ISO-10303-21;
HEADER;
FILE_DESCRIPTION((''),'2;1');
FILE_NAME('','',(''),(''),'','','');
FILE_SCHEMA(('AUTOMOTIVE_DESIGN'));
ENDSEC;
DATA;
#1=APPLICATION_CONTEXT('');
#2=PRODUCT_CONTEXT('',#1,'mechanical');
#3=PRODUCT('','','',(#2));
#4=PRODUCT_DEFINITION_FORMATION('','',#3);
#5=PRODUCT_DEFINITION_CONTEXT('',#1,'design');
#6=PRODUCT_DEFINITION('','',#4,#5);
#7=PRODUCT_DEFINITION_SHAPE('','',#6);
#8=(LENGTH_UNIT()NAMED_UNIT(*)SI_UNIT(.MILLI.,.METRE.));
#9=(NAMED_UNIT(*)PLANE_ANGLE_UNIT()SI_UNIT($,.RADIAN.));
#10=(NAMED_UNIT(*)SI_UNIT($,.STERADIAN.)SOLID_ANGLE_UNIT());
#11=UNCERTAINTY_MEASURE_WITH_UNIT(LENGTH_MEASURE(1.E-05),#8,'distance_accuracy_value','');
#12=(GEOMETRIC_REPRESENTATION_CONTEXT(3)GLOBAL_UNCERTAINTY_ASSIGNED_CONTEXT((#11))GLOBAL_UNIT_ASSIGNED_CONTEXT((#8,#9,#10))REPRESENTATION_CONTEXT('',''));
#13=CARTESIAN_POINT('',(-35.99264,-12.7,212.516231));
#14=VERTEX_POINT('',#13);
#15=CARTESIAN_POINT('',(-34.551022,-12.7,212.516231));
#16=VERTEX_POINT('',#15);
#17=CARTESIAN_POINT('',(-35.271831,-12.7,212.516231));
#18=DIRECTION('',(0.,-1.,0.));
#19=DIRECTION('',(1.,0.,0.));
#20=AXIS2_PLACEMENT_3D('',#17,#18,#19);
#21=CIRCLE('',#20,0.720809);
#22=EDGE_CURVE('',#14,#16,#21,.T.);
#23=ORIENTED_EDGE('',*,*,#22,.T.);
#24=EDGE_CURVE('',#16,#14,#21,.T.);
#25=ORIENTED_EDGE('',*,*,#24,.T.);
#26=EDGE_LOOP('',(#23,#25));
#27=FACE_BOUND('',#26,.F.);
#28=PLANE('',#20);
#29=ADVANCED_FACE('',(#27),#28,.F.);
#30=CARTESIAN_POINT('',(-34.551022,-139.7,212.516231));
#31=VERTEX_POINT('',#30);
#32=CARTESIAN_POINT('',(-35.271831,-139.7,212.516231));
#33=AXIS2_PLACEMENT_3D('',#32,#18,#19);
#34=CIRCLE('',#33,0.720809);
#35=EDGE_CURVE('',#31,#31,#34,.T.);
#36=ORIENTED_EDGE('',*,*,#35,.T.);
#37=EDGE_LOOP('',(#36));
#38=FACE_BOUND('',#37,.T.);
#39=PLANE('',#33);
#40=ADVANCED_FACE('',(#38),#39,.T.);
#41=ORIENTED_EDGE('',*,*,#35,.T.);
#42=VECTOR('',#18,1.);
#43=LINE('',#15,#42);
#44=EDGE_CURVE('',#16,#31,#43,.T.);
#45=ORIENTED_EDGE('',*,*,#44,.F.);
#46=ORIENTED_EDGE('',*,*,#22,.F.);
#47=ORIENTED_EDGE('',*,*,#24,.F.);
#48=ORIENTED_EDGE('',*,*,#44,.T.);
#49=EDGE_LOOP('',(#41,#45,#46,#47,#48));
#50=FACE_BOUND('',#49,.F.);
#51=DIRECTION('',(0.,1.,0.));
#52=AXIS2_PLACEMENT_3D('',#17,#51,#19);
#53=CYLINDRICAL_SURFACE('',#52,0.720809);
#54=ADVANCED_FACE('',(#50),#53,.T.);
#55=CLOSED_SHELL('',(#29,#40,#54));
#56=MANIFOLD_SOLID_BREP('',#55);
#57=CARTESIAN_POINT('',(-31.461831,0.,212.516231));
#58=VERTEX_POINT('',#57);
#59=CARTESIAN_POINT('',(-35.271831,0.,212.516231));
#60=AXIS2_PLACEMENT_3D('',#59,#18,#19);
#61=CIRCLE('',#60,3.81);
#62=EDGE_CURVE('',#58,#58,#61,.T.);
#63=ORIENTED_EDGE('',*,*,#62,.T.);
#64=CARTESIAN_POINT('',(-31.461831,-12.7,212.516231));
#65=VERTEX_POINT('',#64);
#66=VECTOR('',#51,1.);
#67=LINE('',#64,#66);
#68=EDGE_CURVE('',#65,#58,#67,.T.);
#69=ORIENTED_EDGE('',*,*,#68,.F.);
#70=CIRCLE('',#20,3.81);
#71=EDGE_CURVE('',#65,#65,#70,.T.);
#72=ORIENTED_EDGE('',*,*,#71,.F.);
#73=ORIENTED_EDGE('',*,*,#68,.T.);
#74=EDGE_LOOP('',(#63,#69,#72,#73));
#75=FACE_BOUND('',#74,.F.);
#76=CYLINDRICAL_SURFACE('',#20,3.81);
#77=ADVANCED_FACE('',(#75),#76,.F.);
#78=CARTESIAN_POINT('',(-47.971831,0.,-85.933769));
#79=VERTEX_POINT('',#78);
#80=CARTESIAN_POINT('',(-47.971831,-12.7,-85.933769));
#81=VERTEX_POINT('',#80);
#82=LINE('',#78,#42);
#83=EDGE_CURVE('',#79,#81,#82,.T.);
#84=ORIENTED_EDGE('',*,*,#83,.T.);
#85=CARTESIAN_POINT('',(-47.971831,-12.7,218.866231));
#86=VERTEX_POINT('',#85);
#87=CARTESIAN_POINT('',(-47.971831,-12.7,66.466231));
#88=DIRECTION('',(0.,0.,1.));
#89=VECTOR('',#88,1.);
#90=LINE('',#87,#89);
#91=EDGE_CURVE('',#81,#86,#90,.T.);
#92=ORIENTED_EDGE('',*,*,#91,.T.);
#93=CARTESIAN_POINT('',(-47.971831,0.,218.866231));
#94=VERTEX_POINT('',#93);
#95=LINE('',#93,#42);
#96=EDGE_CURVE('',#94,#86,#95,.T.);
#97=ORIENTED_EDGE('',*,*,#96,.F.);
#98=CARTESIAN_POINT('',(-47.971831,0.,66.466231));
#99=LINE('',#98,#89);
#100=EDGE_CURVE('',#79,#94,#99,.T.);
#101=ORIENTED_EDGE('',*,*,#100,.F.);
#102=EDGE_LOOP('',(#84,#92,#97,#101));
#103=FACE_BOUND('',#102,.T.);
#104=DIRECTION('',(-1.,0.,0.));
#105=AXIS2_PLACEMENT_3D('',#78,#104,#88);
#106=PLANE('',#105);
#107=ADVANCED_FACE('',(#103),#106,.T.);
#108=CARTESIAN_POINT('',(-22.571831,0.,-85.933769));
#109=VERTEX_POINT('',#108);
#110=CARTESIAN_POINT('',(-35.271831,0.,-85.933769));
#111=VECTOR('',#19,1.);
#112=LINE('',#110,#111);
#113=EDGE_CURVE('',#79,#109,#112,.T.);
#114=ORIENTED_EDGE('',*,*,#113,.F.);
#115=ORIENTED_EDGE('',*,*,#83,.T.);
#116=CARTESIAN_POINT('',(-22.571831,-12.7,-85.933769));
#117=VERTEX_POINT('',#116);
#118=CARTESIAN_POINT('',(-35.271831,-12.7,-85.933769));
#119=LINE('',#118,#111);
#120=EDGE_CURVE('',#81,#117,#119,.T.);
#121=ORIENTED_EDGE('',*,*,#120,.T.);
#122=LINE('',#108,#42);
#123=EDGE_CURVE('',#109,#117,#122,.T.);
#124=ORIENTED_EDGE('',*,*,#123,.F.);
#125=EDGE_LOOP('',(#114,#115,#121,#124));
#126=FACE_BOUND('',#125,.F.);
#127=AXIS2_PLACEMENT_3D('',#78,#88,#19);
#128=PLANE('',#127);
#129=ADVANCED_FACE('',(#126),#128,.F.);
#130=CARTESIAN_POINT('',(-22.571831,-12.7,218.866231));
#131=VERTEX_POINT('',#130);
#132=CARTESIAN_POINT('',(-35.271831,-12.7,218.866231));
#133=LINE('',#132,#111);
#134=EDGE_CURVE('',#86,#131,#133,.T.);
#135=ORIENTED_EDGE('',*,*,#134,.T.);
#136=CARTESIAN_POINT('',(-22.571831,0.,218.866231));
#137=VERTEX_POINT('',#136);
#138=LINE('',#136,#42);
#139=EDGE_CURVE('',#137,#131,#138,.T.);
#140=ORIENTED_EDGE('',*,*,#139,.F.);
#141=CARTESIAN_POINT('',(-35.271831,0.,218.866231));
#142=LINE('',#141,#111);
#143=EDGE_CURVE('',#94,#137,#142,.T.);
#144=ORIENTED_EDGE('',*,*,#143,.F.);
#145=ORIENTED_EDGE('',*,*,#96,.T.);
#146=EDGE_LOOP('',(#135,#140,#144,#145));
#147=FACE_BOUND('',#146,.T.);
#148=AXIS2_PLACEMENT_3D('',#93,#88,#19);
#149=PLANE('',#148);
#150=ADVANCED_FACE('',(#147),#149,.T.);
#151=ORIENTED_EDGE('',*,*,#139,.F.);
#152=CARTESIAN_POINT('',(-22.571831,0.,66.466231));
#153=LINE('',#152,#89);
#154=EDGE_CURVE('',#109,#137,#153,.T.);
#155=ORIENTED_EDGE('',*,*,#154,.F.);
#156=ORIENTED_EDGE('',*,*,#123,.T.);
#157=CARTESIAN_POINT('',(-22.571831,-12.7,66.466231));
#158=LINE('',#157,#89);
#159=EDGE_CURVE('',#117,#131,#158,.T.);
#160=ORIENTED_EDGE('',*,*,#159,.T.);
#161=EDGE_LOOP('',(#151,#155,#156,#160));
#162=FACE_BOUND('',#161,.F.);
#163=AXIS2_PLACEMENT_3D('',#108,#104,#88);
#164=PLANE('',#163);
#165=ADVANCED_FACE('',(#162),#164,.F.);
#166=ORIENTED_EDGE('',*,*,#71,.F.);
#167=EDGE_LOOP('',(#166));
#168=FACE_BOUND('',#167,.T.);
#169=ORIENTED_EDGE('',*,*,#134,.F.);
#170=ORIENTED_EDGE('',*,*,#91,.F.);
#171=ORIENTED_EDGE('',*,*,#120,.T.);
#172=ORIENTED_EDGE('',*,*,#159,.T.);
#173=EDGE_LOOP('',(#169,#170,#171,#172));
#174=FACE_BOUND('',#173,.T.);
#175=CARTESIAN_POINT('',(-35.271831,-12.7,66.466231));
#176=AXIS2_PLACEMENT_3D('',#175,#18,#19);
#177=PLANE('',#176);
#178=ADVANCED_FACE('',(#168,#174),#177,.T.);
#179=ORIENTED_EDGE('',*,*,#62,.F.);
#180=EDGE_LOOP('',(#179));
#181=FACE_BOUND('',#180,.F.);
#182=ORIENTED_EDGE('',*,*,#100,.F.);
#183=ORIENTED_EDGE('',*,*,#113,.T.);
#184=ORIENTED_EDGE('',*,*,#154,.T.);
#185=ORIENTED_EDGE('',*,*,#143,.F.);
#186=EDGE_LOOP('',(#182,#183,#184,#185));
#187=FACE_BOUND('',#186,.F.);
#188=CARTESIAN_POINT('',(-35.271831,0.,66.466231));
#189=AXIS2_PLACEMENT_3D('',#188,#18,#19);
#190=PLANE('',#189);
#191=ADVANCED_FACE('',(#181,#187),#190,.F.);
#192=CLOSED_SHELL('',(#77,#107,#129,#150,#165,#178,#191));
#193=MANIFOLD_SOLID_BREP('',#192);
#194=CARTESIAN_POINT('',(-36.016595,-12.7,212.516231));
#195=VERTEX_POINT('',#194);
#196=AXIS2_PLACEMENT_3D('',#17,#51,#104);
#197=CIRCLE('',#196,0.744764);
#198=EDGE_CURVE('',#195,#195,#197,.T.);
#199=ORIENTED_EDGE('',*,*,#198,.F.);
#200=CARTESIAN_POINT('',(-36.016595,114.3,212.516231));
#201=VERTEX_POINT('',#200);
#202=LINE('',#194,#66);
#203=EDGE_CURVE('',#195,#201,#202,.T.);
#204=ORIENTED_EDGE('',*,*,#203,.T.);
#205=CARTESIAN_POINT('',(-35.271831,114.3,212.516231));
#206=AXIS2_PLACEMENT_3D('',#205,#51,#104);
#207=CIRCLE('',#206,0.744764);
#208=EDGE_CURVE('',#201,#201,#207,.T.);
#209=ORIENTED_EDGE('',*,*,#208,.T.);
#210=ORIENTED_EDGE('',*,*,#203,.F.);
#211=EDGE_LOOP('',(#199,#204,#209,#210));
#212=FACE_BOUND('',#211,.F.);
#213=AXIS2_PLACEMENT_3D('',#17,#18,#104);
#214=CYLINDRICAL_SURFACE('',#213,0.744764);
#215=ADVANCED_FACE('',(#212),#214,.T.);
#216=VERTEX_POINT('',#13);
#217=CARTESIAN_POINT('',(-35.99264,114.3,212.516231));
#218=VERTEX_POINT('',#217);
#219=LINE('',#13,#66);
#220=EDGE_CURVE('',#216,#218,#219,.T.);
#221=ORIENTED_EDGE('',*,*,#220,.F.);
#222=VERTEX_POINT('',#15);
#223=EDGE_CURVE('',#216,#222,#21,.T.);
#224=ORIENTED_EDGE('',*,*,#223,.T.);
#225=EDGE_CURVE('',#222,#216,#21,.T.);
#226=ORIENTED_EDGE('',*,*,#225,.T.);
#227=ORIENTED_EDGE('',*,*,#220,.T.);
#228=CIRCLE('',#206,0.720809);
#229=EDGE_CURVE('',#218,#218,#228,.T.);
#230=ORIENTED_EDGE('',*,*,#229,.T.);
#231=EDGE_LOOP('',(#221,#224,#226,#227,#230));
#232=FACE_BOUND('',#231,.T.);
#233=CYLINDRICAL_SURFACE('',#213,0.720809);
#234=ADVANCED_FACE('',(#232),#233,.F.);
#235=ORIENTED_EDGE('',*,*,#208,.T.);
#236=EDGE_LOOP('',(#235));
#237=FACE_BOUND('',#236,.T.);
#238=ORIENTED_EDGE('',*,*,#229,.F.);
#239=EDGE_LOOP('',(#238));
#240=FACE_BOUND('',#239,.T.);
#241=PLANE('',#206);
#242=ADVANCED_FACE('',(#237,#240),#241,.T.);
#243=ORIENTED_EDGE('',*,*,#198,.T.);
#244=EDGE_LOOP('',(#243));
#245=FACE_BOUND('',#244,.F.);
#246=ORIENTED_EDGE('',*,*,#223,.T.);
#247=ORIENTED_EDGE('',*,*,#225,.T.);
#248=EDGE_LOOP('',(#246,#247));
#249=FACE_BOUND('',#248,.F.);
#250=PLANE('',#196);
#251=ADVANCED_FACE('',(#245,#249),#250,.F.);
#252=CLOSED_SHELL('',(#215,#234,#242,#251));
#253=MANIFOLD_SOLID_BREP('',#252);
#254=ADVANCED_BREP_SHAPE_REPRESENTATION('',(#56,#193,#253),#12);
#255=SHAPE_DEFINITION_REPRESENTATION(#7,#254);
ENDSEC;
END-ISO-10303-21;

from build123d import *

# Parameters (mm, degrees)
F0_W     = 25.4
F0_H     = 304.8
F1_DEPTH = 12.7
F2_R     = 3.81
F3_DEPTH = 25.4
F4_R     = 0.720809
F5_DEPTH = 127
F6_R     = 0.744764
F6_R_2   = 0.720809
F7_DEPTH = 127


with BuildPart() as f1:
    # F0 (on Front) → F1 (new body)
    with BuildSketch(Plane.XZ):
        with Locations((-35.271831, 66.466231)):
            Rectangle(F0_W, F0_H)
    extrude(amount=F1_DEPTH)

    # F2 (on face) → F3 (cut)
    with BuildSketch(Plane.XZ.offset(12.7)):
        with Locations((-35.271831, 212.516231)):
            Circle(F2_R)
    extrude(amount=-F3_DEPTH, mode=Mode.SUBTRACT)


with BuildPart() as f5:
    # F4 (on face) → F5 (new body)
    with BuildSketch(Plane.XZ.offset(12.7)):
        with Locations((-35.271831, 212.516231)):
            Circle(F4_R)
    extrude(amount=F5_DEPTH)

    # F6 (on face) → F7 (join)
    with BuildSketch(Plane(origin=(0, -12.7, 0), x_dir=(-1, 0, 0), z_dir=(0, 1, 0))):
        with Locations((35.271831, 212.516231)):
            Circle(F6_R)
        with Locations((35.271831, 212.516231)):
            Circle(F6_R_2, mode=Mode.SUBTRACT)
    extrude(amount=F7_DEPTH)


solid = Compound([f1.part, f5.part])
